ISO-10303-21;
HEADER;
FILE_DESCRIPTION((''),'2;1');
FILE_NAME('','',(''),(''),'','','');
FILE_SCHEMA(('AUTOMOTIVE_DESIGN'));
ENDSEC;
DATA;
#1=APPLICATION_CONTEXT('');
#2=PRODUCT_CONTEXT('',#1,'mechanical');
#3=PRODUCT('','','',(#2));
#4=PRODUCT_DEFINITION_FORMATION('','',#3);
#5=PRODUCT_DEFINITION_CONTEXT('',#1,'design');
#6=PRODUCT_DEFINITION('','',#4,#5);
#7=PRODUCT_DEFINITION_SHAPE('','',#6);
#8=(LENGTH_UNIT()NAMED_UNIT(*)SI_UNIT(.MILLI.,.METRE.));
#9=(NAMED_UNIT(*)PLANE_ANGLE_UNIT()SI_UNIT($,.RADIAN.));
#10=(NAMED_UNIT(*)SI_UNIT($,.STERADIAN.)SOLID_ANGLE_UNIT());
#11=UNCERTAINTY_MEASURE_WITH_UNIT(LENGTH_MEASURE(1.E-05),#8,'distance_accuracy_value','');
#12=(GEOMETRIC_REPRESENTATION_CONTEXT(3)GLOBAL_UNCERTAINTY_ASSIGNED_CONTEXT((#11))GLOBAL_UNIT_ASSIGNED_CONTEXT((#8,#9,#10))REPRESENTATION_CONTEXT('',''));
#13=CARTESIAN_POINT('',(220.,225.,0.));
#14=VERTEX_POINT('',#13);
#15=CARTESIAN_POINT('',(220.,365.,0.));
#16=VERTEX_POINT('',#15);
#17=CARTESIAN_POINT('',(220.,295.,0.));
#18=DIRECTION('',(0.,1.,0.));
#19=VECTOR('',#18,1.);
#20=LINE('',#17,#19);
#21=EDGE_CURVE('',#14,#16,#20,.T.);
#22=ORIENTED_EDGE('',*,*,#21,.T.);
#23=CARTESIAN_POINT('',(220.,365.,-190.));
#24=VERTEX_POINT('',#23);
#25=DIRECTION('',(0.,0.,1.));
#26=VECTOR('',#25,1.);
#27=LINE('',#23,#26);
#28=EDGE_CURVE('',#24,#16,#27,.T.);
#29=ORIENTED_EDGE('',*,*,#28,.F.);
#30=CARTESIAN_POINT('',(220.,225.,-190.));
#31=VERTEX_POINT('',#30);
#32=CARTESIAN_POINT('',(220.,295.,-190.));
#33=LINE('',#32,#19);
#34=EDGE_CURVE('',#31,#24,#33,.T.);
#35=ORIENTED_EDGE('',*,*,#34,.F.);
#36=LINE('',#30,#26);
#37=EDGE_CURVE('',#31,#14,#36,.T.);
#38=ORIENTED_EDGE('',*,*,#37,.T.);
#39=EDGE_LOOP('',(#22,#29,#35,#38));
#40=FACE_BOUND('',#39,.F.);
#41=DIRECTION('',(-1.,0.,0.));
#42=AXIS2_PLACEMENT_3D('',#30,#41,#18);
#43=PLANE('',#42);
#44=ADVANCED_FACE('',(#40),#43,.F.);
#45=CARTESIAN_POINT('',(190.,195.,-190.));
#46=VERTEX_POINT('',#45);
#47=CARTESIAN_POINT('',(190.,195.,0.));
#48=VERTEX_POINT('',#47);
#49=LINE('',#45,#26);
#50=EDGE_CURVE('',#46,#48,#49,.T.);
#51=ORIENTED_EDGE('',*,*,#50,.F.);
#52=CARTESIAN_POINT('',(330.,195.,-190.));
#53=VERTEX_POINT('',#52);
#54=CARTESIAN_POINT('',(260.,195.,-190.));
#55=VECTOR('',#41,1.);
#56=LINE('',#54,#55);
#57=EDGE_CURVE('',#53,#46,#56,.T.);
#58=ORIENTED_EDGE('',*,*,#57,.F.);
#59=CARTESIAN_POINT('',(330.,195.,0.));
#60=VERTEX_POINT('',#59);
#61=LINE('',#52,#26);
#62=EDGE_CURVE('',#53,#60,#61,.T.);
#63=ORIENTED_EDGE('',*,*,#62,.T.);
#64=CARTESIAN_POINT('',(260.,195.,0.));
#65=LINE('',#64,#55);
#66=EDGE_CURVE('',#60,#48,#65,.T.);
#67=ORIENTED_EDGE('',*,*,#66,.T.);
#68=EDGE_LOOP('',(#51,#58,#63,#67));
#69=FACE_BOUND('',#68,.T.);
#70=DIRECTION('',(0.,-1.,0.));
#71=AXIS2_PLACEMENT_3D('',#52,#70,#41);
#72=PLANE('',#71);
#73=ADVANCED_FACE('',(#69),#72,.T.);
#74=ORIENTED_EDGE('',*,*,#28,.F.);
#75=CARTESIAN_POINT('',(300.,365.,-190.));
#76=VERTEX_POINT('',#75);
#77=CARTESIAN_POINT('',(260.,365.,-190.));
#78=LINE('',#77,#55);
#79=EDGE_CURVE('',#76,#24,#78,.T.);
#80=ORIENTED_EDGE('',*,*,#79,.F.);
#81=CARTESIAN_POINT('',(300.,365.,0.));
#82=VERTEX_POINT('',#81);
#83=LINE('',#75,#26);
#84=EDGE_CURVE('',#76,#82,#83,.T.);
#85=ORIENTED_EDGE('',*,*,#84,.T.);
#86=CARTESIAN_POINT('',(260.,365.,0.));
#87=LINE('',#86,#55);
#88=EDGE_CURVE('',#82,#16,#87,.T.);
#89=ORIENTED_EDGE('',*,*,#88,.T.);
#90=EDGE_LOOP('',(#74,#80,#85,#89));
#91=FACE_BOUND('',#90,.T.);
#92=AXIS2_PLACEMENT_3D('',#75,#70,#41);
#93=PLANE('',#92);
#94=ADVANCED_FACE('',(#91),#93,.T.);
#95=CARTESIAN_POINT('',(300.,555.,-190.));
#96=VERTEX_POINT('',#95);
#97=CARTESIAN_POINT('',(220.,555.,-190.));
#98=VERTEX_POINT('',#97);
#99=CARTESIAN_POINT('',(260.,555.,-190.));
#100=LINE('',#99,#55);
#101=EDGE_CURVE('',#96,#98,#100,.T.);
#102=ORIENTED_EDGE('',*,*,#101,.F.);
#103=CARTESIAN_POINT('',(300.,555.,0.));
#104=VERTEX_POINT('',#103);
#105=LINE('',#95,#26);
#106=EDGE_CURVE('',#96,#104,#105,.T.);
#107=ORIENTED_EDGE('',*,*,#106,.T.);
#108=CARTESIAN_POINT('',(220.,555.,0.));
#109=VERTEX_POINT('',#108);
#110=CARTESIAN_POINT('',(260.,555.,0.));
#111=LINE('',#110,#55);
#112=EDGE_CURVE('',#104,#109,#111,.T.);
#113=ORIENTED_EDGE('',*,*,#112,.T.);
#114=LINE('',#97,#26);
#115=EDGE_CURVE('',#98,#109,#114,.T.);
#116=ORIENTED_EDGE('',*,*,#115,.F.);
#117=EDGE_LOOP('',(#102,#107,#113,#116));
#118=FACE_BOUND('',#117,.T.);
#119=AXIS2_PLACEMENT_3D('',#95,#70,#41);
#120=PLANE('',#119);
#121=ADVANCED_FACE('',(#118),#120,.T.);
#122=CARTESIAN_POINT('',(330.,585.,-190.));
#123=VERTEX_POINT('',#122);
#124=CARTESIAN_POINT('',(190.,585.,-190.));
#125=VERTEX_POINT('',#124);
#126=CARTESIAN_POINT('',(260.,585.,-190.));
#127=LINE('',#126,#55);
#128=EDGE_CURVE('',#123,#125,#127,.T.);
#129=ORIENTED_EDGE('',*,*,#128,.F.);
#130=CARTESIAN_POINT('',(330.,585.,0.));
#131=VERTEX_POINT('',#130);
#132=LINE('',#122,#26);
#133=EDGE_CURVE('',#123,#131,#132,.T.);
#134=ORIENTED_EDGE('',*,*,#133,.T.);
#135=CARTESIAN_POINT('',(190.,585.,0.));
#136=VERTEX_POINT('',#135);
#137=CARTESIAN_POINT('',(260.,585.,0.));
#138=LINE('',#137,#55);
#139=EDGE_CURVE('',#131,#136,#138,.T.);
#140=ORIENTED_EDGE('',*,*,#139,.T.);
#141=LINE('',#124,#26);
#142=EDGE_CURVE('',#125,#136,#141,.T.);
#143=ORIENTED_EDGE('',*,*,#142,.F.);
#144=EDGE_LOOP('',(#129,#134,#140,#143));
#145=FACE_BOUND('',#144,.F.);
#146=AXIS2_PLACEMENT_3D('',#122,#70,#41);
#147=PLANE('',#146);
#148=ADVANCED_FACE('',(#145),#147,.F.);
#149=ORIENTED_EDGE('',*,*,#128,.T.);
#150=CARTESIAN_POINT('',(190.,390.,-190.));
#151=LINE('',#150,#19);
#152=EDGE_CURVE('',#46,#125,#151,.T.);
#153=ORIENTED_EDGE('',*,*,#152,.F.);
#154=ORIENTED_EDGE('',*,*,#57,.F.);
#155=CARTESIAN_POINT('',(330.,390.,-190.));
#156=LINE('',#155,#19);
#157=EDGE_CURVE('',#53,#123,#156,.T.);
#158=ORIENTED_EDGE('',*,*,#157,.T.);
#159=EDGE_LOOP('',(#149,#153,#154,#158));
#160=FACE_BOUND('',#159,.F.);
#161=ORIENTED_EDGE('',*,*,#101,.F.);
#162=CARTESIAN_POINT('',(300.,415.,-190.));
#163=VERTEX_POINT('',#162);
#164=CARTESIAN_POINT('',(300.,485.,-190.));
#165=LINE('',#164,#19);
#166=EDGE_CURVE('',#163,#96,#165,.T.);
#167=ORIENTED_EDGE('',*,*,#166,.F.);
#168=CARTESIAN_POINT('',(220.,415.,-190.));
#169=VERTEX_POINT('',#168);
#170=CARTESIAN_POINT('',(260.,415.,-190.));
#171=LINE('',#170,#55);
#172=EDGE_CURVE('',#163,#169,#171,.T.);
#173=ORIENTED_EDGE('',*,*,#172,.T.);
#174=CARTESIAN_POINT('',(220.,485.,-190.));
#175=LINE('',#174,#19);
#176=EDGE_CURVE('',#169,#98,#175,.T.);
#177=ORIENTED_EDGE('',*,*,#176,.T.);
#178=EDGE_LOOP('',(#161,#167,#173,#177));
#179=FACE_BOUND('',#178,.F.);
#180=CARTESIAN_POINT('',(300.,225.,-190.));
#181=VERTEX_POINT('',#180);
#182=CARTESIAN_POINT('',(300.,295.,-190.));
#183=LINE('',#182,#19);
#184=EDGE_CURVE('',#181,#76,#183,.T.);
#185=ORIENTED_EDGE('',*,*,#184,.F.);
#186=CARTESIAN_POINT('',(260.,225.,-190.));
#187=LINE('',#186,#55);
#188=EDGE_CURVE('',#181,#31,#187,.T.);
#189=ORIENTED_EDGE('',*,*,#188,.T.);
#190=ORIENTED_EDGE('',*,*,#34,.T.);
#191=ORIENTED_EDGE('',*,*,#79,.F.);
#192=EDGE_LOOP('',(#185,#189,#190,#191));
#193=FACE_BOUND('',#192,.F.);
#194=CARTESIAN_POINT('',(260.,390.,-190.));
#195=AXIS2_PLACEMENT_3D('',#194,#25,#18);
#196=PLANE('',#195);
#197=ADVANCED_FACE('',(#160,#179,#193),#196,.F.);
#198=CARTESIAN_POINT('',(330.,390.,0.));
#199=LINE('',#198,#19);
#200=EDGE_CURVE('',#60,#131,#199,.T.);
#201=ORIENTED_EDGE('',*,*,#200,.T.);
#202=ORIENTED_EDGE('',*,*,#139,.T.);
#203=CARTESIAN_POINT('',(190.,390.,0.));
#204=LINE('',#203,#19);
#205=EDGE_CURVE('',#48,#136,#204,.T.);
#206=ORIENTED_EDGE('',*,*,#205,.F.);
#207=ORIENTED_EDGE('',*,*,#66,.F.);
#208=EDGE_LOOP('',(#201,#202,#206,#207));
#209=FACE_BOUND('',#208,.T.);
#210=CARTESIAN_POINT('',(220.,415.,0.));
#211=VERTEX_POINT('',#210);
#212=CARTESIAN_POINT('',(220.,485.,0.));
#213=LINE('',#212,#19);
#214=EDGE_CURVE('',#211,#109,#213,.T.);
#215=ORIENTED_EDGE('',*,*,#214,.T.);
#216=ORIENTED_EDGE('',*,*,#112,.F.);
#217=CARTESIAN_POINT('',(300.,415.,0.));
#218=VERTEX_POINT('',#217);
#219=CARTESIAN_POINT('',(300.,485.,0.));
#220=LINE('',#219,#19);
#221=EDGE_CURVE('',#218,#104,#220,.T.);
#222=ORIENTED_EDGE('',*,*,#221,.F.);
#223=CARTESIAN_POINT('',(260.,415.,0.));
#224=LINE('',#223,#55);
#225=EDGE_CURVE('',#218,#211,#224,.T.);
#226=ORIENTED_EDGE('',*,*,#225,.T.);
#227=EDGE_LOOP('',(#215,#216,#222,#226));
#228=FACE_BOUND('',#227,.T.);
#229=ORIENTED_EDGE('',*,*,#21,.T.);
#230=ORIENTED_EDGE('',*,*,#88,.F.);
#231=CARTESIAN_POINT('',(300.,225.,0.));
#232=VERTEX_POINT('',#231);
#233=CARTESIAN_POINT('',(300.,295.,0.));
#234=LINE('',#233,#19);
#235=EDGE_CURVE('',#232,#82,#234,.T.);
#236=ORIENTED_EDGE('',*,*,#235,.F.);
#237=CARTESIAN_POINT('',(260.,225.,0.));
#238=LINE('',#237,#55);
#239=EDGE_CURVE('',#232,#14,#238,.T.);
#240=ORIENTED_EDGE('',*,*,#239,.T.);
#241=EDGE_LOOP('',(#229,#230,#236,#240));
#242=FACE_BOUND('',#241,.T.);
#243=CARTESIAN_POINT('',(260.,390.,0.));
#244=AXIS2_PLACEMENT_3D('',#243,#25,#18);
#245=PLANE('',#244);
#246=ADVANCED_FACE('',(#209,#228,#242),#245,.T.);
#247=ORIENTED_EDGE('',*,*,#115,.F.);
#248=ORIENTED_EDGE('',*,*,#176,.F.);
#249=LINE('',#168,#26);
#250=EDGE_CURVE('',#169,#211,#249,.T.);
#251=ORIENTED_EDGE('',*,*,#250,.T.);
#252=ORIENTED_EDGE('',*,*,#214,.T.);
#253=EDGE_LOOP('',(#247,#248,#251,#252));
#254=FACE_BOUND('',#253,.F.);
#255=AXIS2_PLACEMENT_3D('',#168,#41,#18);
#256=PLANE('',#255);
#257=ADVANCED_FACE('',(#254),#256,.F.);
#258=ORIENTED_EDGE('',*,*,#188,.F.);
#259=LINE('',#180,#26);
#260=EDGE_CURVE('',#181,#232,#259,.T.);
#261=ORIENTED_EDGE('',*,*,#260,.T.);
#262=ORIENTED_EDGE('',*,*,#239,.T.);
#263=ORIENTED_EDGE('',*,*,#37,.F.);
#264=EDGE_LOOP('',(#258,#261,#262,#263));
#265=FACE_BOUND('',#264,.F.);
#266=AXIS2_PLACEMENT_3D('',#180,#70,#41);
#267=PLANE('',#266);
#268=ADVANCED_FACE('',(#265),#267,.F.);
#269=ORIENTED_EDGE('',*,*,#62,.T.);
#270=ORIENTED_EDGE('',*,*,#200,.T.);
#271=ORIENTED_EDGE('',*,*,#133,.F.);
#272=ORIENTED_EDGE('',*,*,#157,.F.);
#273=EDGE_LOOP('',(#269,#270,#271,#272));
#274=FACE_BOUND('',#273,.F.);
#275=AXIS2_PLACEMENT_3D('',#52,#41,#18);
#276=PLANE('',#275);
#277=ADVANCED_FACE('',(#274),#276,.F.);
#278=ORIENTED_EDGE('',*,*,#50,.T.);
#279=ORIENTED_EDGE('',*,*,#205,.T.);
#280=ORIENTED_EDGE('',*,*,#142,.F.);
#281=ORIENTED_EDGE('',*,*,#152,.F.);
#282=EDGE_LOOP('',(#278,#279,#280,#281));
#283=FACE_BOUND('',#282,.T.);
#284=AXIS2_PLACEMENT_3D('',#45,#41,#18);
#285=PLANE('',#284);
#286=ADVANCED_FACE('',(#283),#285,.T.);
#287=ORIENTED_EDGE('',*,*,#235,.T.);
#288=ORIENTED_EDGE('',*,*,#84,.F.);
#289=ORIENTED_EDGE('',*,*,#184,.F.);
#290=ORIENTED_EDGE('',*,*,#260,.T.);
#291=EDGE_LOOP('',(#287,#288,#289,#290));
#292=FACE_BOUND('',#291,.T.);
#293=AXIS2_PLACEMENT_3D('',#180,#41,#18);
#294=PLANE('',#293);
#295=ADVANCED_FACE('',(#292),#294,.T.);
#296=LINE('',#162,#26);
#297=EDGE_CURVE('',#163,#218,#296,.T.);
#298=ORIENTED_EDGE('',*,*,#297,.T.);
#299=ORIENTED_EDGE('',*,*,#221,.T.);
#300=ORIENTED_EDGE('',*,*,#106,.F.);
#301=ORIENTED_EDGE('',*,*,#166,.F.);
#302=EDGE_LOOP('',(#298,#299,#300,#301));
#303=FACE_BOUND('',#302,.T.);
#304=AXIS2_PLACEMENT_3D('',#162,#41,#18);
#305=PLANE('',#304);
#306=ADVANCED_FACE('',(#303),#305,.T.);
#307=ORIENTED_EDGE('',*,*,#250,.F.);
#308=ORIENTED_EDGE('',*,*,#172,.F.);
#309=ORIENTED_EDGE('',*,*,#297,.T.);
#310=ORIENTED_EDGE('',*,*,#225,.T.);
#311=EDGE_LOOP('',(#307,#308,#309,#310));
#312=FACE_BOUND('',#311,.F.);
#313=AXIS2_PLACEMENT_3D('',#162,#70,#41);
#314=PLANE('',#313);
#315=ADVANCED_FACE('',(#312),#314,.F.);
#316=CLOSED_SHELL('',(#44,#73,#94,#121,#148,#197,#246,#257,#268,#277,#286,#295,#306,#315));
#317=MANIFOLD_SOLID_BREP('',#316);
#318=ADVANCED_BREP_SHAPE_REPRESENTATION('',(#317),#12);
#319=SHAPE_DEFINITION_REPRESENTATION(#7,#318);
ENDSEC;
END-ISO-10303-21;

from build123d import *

# Parameters (mm, degrees)
BOX113_W               = 140
BOX113_H               = 80
BOX113_DEPTH           = 190
BOX114_W               = 140
BOX114_H               = 80
BOX114_DEPTH           = 190
BOX115_W               = 390
BOX115_H               = 140
BOX115_DEPTH           = 190
CUT016_PLACEMENT_ANGLE = 90


with BuildPart() as cube085:
    # Box113 → Box113 (new body)
    with BuildSketch(Plane(origin=(220, 30, 0), x_dir=(1, 0, 0), z_dir=(0, 0, 1))):
        with Locations((70, 40)):
            Rectangle(BOX113_W, BOX113_H)
    extrude(amount=BOX113_DEPTH)


with BuildPart() as fusion021:
    # Box114 → Box114 (new body)
    with BuildSketch(Plane(origin=(30, 30, 0), x_dir=(1, 0, 0), z_dir=(0, 0, 1))):
        with Locations((70, 40)):
            Rectangle(BOX114_W, BOX114_H)
    extrude(amount=BOX114_DEPTH)

    # Fusion021: union Cube085
    add(cube085.part)


with BuildPart() as cut016:
    # Box115 → Box115 (new body)
    with BuildSketch(Plane.XY):
        with Locations((195, 70)):
            Rectangle(BOX115_W, BOX115_H)
    extrude(amount=BOX115_DEPTH)

    # Cut016: cut Fusion021
    add(fusion021.part, mode=Mode.SUBTRACT)


with BuildPart() as cut016_1:
    # Cut016 placement: moved
    add(cut016.part.moved(Location((330, 195, -190))).rotate(Axis((330, 195, -190), (0, 0, 1)), CUT016_PLACEMENT_ANGLE))


solid = cut016_1.part
